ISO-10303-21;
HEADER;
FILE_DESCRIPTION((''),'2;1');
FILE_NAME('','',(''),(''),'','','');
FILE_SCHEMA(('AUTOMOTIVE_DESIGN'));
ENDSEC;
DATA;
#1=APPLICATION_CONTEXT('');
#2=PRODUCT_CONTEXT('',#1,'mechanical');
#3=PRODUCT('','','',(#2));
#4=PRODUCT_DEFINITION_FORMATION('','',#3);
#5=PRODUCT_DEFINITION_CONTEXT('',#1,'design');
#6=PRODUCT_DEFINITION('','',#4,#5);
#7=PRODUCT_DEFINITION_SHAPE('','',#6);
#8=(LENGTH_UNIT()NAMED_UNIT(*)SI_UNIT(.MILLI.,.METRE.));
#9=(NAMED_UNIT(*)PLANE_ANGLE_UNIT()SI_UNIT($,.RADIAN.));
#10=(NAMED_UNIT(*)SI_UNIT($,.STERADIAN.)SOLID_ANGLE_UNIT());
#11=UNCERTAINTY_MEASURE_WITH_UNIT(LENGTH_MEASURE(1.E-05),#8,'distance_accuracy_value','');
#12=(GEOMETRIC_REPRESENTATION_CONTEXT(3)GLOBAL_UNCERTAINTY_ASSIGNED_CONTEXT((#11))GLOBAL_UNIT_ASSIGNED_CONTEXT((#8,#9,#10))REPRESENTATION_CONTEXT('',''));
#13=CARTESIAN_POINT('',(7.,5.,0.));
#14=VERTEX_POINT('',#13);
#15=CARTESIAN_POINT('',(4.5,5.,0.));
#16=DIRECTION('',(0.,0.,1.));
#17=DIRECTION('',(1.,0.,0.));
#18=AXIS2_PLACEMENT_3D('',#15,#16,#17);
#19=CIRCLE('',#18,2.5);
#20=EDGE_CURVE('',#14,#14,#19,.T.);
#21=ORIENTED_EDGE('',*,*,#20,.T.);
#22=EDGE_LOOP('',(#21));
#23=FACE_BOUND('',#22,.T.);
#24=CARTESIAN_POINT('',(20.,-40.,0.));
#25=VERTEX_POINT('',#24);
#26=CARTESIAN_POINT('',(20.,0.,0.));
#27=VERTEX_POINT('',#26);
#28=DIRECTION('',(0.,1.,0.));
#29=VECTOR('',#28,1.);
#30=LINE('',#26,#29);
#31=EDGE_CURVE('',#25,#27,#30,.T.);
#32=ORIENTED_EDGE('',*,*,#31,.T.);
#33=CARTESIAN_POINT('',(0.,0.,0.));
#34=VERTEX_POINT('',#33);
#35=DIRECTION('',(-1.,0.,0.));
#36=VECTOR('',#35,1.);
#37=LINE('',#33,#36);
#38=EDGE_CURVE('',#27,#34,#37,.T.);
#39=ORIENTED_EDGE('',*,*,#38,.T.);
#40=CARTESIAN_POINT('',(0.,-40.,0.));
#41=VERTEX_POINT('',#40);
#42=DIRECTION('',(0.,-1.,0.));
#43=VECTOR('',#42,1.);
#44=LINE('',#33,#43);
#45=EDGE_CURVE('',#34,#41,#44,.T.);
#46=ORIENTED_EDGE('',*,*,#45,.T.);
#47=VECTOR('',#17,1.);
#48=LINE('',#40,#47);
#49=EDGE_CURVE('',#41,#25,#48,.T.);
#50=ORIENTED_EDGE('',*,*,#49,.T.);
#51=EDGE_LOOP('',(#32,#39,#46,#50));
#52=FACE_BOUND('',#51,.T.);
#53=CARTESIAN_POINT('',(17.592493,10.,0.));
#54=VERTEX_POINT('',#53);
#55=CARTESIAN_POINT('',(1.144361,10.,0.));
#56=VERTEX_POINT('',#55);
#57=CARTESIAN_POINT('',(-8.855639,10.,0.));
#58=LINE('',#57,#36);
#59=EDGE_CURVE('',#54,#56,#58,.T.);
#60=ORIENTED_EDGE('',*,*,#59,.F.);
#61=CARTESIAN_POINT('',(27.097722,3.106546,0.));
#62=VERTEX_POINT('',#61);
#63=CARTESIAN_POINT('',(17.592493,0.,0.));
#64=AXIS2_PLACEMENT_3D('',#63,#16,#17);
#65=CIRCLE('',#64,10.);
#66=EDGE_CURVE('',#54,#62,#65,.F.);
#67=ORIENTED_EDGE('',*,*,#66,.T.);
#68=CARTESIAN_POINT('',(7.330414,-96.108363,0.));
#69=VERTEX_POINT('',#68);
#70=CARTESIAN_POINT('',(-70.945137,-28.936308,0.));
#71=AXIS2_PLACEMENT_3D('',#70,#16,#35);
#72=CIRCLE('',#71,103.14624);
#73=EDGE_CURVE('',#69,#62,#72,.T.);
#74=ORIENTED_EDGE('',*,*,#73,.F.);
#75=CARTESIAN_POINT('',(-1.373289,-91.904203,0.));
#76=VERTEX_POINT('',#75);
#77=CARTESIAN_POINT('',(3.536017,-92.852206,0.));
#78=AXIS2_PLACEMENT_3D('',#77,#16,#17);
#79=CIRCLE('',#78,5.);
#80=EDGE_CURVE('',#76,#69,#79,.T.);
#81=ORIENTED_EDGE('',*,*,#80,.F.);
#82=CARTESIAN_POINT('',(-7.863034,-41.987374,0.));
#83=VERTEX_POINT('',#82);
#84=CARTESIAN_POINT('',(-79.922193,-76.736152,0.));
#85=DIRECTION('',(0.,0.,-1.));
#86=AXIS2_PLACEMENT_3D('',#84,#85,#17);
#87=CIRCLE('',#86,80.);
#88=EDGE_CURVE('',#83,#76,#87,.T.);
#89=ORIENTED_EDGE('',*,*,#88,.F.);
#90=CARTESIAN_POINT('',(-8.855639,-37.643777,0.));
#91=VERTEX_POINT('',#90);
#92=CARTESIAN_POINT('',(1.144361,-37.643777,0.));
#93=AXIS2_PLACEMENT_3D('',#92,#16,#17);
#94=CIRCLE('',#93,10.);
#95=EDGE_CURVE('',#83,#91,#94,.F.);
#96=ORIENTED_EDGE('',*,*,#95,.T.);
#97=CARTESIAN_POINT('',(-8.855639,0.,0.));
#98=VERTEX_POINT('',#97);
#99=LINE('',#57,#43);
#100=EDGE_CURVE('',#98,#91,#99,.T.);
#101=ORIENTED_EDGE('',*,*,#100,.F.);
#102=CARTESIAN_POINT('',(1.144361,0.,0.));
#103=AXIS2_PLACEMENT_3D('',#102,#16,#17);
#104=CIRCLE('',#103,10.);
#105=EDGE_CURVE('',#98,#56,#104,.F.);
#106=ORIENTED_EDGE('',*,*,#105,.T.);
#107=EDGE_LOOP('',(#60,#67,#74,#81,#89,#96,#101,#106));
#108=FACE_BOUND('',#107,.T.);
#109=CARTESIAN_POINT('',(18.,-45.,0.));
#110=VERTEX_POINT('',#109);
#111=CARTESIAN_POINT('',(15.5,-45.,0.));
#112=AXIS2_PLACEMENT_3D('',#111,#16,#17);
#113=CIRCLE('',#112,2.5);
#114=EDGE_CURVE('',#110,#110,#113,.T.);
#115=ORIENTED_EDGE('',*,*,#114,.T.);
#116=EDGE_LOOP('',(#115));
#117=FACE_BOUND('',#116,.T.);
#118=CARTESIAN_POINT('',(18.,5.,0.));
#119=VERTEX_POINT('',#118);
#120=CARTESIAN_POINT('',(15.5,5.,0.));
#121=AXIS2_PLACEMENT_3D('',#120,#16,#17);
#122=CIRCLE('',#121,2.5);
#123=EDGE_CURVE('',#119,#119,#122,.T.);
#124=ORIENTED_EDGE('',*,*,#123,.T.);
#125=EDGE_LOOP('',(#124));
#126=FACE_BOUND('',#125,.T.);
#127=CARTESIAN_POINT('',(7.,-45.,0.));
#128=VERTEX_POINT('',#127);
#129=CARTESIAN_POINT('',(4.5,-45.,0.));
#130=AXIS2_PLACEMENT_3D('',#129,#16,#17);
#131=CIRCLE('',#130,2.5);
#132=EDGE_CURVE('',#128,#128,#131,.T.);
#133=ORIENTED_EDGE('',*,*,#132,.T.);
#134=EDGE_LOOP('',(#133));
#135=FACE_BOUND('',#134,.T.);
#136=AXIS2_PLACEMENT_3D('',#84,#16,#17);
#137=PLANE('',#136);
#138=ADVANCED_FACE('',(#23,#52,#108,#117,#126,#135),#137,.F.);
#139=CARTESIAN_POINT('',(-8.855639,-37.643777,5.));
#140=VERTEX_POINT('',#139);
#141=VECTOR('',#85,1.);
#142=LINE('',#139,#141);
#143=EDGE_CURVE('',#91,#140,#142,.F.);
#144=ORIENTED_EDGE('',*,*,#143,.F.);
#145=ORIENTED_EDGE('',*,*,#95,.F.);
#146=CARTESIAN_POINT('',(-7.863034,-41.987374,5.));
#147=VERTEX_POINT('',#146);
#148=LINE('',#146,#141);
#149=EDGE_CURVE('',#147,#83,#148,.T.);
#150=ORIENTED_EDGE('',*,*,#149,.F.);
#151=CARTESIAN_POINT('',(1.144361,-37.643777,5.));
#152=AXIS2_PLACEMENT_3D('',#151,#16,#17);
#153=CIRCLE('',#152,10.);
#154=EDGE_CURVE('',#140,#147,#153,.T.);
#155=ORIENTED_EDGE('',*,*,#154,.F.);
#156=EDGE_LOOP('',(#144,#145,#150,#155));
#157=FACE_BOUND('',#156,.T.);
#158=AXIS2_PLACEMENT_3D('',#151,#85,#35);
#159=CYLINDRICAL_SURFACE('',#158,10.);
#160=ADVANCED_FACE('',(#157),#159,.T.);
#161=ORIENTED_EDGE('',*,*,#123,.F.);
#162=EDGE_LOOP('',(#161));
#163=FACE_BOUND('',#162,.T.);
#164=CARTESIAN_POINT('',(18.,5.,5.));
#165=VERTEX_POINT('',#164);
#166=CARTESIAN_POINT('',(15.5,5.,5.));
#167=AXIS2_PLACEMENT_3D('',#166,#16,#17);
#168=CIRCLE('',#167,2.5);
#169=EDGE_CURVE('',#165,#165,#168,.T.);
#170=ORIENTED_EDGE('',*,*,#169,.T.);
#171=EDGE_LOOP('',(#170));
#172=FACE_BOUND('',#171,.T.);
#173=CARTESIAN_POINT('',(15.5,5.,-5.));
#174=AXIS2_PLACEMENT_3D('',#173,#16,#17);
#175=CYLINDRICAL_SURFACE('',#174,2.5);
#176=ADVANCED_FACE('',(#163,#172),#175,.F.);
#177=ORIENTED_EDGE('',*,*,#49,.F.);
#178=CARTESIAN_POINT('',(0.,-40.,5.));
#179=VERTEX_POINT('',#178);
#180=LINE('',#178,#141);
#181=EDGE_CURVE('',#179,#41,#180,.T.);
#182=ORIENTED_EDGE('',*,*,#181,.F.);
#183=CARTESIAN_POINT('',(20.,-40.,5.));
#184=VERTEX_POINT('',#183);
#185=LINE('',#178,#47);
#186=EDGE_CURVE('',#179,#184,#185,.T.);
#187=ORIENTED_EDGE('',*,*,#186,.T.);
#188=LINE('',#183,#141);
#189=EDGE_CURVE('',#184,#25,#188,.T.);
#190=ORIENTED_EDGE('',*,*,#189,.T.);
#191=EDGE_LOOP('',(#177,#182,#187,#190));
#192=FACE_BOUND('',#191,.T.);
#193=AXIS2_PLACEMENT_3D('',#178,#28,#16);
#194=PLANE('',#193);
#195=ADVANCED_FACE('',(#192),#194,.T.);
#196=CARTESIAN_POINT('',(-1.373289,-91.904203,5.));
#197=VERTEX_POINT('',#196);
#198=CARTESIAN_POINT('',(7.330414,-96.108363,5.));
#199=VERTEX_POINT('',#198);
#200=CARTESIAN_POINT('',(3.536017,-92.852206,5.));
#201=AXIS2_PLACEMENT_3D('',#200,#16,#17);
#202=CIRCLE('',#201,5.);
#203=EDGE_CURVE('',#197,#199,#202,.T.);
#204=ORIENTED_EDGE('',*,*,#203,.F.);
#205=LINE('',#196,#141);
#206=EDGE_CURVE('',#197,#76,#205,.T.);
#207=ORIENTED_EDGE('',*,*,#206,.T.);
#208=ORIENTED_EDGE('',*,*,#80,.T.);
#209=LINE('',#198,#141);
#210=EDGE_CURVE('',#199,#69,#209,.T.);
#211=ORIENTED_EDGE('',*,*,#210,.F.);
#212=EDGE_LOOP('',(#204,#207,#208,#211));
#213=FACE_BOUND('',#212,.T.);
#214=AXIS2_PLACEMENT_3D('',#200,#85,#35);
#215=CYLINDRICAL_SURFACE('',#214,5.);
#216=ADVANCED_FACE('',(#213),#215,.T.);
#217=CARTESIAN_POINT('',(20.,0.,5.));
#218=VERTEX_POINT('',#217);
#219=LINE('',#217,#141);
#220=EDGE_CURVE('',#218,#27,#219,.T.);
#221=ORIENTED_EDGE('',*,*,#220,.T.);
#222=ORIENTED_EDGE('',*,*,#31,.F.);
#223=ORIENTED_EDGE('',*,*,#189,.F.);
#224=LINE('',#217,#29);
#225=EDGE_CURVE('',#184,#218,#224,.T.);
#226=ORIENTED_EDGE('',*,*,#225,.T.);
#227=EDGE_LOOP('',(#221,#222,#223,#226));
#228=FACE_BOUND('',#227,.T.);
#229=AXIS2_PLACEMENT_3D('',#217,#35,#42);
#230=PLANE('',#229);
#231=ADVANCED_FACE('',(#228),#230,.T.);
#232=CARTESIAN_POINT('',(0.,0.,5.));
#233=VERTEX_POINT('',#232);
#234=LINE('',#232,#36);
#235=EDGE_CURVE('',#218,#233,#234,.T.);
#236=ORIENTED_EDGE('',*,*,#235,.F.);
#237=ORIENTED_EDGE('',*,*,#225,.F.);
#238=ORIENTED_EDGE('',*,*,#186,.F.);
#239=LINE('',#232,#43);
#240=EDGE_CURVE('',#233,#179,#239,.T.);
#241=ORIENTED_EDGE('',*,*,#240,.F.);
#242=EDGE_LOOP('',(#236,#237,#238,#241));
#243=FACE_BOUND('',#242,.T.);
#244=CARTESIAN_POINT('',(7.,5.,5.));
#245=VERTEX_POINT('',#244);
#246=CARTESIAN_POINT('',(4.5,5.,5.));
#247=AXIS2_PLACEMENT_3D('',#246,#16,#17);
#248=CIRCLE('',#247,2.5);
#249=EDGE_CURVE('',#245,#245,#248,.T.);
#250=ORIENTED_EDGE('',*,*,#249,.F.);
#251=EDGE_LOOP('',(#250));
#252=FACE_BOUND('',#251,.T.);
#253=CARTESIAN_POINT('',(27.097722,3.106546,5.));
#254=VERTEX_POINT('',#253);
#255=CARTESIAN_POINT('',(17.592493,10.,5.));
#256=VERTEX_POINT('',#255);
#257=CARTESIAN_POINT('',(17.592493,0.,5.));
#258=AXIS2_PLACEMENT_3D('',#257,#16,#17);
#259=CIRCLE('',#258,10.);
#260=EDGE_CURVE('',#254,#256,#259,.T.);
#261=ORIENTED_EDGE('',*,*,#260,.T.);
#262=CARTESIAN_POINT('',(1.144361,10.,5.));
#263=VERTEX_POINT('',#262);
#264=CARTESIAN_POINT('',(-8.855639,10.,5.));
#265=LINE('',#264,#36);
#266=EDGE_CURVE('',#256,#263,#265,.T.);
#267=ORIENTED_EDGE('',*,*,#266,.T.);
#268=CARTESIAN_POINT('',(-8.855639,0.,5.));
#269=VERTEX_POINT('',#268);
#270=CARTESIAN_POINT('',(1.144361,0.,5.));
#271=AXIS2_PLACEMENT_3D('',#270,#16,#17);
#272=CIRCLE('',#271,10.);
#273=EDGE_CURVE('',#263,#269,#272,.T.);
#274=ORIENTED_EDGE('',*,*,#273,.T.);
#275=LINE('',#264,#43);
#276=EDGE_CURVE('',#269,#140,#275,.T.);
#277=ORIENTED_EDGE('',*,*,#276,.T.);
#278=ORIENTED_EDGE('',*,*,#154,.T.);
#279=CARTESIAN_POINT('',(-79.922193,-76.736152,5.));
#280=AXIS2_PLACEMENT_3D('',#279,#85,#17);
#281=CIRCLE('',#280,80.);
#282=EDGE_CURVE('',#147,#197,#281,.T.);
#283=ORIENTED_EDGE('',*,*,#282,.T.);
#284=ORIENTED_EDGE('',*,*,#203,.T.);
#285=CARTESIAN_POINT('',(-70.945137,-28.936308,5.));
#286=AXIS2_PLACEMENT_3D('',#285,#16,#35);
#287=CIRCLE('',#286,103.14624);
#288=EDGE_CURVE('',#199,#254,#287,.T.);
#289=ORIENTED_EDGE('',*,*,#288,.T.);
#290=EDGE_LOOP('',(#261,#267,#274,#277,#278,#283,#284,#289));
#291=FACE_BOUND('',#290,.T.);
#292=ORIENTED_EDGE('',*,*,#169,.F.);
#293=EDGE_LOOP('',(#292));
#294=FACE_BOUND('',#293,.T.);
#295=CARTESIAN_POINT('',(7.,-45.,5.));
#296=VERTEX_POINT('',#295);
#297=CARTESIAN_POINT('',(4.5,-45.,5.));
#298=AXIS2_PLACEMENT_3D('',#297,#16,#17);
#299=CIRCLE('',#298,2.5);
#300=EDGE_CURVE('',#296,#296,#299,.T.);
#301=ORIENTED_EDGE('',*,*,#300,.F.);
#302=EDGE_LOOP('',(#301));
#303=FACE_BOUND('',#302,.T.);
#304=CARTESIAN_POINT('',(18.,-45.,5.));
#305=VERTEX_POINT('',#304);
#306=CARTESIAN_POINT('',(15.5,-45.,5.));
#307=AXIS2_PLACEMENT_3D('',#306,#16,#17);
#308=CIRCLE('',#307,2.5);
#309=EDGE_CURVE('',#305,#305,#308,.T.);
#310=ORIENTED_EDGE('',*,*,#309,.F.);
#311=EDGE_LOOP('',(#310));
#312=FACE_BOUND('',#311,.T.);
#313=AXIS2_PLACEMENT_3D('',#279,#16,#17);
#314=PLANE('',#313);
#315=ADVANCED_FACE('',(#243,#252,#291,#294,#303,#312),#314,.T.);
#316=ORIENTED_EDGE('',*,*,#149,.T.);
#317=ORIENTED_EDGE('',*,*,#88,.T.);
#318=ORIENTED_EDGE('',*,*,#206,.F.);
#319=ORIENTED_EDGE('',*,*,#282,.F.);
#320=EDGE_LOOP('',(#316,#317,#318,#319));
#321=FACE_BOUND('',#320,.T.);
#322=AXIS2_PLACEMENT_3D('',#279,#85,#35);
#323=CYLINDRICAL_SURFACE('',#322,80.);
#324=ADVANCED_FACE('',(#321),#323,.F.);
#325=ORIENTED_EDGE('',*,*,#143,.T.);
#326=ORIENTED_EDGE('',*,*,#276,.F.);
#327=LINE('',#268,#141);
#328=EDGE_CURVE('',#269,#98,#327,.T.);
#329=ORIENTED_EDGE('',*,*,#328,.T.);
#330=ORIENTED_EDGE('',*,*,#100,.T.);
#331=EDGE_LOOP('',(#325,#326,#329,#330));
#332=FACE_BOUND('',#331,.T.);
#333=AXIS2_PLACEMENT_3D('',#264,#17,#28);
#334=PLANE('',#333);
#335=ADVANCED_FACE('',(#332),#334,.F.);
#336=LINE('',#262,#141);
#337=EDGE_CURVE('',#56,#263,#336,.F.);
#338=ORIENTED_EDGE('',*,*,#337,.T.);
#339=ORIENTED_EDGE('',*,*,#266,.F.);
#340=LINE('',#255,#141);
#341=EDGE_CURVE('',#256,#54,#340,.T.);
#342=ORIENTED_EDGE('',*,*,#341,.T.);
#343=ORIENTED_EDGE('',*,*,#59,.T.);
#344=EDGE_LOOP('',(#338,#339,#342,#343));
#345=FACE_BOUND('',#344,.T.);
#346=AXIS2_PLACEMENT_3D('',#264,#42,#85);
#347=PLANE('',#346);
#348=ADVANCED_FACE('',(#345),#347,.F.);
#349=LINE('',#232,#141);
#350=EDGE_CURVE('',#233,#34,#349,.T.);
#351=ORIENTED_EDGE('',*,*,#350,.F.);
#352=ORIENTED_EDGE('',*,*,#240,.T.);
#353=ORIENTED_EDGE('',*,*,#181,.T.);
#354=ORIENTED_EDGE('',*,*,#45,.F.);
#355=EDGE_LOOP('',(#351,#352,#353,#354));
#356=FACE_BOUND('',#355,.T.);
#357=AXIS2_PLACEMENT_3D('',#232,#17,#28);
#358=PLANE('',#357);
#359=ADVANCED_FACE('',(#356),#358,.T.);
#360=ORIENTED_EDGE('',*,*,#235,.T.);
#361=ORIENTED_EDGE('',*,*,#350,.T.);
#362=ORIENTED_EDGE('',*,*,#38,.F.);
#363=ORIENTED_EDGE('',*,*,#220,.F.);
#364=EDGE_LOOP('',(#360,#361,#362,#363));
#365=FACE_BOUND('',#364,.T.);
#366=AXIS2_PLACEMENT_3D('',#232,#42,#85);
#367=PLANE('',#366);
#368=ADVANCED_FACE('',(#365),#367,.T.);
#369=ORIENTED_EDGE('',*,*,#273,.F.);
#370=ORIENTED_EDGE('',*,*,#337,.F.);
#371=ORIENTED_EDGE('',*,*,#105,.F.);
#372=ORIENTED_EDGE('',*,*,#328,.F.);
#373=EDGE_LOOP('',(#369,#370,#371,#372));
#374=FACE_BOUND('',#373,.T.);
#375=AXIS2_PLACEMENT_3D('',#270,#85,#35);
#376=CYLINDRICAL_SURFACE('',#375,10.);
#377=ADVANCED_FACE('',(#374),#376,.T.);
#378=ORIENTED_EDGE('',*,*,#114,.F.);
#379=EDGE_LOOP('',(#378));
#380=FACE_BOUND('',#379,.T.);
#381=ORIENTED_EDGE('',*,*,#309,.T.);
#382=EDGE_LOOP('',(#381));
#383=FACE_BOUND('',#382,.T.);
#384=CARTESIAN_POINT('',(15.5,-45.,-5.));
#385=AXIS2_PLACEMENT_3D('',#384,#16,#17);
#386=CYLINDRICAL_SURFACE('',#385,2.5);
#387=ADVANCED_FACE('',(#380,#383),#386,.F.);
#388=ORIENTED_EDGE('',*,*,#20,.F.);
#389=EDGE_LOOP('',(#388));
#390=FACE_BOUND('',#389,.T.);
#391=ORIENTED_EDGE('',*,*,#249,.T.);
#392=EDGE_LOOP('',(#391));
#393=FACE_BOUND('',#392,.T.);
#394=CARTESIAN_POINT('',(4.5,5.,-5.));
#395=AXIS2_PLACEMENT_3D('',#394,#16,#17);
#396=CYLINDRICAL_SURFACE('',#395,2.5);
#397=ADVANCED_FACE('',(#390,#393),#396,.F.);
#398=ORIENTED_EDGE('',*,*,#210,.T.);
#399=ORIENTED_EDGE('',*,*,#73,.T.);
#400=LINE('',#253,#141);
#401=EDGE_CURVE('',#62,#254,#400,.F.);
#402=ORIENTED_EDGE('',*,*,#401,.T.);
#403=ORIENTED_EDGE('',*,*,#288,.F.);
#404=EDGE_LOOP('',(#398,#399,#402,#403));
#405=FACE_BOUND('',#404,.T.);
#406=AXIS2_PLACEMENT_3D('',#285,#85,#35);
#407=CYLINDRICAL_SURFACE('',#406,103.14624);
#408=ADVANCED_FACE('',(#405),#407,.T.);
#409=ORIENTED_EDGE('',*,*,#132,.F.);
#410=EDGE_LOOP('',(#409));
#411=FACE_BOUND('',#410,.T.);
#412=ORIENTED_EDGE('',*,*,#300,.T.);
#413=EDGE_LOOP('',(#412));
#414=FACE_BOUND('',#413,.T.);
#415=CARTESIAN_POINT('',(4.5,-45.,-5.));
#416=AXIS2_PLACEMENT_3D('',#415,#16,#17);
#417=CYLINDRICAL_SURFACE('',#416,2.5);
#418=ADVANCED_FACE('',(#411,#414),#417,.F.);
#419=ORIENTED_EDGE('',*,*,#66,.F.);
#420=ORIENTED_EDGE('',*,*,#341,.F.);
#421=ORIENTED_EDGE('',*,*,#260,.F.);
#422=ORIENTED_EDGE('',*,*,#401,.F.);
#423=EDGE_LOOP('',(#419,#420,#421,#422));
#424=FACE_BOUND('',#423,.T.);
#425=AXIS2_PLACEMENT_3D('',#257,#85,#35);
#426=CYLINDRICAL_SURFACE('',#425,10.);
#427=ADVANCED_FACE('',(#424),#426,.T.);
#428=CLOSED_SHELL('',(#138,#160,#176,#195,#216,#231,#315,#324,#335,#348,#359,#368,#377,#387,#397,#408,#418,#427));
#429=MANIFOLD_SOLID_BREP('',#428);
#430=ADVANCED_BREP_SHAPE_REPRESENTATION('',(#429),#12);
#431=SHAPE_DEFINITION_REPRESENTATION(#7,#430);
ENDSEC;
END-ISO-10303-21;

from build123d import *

# Parameters (mm, degrees)
ESQUISSE1_W             = 20
ESQUISSE1_H             = 40
BOSS_EXTRU_1_DEPTH      = 5
CONG_1_R                = 10
CONG_2_R                = 10
ESQUISSE2_R             = 2.5
ENL_V_MAT_EXTRU_1_DEPTH = 10


with BuildPart() as part:
    # Esquisse1 → Boss.-Extru.1 (new body)
    with BuildSketch(Plane.XY):
        with BuildLine():
            Line((-8.855638783, 10), (24.569838787, 10))
            ThreePointArc((24.569838787, 10), (30.866124306, -45.477583457), (7.330413731, -96.108362687))
            ThreePointArc((7.330413731, -96.108362687), (1.361276776, -97.354484204), (-1.373289466, -91.904203266))
            ThreePointArc((-1.373289466, -91.904203266), (-0.740706025, -65.321594201), (-8.855638783, -40))
            Line((-8.855638783, -40), (-8.855638783, 10))
        make_face()
        with Locations((10, -20)):
            Rectangle(ESQUISSE1_W, ESQUISSE1_H, mode=Mode.SUBTRACT)
    extrude(amount=BOSS_EXTRU_1_DEPTH)

    # Congé1
    cong_1_edges = [part.edges().sort_by_distance(p)[0] for p in [
        (24.569838787, 10, 2.5),
    ]]
    fillet(cong_1_edges, radius=CONG_1_R)

    # Congé2
    cong_2_edges = [part.edges().sort_by_distance(p)[0] for p in [
        (-8.855638783, -40, 2.5),
        (-8.855638783, 10, 2.5),
    ]]
    fillet(cong_2_edges, radius=CONG_2_R)

    # Esquisse2 → Enlèv. mat.-Extru.1 (cut)
    with BuildSketch(Plane.XY.offset(5)):
        with Locations((4.5, 5)):
            Circle(ESQUISSE2_R)
        with Locations((15.5, 5)):
            Circle(ESQUISSE2_R)
        with Locations((4.5, -45)):
            Circle(ESQUISSE2_R)
        with Locations((15.5, -45)):
            Circle(ESQUISSE2_R)
    extrude(amount=-ENL_V_MAT_EXTRU_1_DEPTH, mode=Mode.SUBTRACT)


solid = part.part
